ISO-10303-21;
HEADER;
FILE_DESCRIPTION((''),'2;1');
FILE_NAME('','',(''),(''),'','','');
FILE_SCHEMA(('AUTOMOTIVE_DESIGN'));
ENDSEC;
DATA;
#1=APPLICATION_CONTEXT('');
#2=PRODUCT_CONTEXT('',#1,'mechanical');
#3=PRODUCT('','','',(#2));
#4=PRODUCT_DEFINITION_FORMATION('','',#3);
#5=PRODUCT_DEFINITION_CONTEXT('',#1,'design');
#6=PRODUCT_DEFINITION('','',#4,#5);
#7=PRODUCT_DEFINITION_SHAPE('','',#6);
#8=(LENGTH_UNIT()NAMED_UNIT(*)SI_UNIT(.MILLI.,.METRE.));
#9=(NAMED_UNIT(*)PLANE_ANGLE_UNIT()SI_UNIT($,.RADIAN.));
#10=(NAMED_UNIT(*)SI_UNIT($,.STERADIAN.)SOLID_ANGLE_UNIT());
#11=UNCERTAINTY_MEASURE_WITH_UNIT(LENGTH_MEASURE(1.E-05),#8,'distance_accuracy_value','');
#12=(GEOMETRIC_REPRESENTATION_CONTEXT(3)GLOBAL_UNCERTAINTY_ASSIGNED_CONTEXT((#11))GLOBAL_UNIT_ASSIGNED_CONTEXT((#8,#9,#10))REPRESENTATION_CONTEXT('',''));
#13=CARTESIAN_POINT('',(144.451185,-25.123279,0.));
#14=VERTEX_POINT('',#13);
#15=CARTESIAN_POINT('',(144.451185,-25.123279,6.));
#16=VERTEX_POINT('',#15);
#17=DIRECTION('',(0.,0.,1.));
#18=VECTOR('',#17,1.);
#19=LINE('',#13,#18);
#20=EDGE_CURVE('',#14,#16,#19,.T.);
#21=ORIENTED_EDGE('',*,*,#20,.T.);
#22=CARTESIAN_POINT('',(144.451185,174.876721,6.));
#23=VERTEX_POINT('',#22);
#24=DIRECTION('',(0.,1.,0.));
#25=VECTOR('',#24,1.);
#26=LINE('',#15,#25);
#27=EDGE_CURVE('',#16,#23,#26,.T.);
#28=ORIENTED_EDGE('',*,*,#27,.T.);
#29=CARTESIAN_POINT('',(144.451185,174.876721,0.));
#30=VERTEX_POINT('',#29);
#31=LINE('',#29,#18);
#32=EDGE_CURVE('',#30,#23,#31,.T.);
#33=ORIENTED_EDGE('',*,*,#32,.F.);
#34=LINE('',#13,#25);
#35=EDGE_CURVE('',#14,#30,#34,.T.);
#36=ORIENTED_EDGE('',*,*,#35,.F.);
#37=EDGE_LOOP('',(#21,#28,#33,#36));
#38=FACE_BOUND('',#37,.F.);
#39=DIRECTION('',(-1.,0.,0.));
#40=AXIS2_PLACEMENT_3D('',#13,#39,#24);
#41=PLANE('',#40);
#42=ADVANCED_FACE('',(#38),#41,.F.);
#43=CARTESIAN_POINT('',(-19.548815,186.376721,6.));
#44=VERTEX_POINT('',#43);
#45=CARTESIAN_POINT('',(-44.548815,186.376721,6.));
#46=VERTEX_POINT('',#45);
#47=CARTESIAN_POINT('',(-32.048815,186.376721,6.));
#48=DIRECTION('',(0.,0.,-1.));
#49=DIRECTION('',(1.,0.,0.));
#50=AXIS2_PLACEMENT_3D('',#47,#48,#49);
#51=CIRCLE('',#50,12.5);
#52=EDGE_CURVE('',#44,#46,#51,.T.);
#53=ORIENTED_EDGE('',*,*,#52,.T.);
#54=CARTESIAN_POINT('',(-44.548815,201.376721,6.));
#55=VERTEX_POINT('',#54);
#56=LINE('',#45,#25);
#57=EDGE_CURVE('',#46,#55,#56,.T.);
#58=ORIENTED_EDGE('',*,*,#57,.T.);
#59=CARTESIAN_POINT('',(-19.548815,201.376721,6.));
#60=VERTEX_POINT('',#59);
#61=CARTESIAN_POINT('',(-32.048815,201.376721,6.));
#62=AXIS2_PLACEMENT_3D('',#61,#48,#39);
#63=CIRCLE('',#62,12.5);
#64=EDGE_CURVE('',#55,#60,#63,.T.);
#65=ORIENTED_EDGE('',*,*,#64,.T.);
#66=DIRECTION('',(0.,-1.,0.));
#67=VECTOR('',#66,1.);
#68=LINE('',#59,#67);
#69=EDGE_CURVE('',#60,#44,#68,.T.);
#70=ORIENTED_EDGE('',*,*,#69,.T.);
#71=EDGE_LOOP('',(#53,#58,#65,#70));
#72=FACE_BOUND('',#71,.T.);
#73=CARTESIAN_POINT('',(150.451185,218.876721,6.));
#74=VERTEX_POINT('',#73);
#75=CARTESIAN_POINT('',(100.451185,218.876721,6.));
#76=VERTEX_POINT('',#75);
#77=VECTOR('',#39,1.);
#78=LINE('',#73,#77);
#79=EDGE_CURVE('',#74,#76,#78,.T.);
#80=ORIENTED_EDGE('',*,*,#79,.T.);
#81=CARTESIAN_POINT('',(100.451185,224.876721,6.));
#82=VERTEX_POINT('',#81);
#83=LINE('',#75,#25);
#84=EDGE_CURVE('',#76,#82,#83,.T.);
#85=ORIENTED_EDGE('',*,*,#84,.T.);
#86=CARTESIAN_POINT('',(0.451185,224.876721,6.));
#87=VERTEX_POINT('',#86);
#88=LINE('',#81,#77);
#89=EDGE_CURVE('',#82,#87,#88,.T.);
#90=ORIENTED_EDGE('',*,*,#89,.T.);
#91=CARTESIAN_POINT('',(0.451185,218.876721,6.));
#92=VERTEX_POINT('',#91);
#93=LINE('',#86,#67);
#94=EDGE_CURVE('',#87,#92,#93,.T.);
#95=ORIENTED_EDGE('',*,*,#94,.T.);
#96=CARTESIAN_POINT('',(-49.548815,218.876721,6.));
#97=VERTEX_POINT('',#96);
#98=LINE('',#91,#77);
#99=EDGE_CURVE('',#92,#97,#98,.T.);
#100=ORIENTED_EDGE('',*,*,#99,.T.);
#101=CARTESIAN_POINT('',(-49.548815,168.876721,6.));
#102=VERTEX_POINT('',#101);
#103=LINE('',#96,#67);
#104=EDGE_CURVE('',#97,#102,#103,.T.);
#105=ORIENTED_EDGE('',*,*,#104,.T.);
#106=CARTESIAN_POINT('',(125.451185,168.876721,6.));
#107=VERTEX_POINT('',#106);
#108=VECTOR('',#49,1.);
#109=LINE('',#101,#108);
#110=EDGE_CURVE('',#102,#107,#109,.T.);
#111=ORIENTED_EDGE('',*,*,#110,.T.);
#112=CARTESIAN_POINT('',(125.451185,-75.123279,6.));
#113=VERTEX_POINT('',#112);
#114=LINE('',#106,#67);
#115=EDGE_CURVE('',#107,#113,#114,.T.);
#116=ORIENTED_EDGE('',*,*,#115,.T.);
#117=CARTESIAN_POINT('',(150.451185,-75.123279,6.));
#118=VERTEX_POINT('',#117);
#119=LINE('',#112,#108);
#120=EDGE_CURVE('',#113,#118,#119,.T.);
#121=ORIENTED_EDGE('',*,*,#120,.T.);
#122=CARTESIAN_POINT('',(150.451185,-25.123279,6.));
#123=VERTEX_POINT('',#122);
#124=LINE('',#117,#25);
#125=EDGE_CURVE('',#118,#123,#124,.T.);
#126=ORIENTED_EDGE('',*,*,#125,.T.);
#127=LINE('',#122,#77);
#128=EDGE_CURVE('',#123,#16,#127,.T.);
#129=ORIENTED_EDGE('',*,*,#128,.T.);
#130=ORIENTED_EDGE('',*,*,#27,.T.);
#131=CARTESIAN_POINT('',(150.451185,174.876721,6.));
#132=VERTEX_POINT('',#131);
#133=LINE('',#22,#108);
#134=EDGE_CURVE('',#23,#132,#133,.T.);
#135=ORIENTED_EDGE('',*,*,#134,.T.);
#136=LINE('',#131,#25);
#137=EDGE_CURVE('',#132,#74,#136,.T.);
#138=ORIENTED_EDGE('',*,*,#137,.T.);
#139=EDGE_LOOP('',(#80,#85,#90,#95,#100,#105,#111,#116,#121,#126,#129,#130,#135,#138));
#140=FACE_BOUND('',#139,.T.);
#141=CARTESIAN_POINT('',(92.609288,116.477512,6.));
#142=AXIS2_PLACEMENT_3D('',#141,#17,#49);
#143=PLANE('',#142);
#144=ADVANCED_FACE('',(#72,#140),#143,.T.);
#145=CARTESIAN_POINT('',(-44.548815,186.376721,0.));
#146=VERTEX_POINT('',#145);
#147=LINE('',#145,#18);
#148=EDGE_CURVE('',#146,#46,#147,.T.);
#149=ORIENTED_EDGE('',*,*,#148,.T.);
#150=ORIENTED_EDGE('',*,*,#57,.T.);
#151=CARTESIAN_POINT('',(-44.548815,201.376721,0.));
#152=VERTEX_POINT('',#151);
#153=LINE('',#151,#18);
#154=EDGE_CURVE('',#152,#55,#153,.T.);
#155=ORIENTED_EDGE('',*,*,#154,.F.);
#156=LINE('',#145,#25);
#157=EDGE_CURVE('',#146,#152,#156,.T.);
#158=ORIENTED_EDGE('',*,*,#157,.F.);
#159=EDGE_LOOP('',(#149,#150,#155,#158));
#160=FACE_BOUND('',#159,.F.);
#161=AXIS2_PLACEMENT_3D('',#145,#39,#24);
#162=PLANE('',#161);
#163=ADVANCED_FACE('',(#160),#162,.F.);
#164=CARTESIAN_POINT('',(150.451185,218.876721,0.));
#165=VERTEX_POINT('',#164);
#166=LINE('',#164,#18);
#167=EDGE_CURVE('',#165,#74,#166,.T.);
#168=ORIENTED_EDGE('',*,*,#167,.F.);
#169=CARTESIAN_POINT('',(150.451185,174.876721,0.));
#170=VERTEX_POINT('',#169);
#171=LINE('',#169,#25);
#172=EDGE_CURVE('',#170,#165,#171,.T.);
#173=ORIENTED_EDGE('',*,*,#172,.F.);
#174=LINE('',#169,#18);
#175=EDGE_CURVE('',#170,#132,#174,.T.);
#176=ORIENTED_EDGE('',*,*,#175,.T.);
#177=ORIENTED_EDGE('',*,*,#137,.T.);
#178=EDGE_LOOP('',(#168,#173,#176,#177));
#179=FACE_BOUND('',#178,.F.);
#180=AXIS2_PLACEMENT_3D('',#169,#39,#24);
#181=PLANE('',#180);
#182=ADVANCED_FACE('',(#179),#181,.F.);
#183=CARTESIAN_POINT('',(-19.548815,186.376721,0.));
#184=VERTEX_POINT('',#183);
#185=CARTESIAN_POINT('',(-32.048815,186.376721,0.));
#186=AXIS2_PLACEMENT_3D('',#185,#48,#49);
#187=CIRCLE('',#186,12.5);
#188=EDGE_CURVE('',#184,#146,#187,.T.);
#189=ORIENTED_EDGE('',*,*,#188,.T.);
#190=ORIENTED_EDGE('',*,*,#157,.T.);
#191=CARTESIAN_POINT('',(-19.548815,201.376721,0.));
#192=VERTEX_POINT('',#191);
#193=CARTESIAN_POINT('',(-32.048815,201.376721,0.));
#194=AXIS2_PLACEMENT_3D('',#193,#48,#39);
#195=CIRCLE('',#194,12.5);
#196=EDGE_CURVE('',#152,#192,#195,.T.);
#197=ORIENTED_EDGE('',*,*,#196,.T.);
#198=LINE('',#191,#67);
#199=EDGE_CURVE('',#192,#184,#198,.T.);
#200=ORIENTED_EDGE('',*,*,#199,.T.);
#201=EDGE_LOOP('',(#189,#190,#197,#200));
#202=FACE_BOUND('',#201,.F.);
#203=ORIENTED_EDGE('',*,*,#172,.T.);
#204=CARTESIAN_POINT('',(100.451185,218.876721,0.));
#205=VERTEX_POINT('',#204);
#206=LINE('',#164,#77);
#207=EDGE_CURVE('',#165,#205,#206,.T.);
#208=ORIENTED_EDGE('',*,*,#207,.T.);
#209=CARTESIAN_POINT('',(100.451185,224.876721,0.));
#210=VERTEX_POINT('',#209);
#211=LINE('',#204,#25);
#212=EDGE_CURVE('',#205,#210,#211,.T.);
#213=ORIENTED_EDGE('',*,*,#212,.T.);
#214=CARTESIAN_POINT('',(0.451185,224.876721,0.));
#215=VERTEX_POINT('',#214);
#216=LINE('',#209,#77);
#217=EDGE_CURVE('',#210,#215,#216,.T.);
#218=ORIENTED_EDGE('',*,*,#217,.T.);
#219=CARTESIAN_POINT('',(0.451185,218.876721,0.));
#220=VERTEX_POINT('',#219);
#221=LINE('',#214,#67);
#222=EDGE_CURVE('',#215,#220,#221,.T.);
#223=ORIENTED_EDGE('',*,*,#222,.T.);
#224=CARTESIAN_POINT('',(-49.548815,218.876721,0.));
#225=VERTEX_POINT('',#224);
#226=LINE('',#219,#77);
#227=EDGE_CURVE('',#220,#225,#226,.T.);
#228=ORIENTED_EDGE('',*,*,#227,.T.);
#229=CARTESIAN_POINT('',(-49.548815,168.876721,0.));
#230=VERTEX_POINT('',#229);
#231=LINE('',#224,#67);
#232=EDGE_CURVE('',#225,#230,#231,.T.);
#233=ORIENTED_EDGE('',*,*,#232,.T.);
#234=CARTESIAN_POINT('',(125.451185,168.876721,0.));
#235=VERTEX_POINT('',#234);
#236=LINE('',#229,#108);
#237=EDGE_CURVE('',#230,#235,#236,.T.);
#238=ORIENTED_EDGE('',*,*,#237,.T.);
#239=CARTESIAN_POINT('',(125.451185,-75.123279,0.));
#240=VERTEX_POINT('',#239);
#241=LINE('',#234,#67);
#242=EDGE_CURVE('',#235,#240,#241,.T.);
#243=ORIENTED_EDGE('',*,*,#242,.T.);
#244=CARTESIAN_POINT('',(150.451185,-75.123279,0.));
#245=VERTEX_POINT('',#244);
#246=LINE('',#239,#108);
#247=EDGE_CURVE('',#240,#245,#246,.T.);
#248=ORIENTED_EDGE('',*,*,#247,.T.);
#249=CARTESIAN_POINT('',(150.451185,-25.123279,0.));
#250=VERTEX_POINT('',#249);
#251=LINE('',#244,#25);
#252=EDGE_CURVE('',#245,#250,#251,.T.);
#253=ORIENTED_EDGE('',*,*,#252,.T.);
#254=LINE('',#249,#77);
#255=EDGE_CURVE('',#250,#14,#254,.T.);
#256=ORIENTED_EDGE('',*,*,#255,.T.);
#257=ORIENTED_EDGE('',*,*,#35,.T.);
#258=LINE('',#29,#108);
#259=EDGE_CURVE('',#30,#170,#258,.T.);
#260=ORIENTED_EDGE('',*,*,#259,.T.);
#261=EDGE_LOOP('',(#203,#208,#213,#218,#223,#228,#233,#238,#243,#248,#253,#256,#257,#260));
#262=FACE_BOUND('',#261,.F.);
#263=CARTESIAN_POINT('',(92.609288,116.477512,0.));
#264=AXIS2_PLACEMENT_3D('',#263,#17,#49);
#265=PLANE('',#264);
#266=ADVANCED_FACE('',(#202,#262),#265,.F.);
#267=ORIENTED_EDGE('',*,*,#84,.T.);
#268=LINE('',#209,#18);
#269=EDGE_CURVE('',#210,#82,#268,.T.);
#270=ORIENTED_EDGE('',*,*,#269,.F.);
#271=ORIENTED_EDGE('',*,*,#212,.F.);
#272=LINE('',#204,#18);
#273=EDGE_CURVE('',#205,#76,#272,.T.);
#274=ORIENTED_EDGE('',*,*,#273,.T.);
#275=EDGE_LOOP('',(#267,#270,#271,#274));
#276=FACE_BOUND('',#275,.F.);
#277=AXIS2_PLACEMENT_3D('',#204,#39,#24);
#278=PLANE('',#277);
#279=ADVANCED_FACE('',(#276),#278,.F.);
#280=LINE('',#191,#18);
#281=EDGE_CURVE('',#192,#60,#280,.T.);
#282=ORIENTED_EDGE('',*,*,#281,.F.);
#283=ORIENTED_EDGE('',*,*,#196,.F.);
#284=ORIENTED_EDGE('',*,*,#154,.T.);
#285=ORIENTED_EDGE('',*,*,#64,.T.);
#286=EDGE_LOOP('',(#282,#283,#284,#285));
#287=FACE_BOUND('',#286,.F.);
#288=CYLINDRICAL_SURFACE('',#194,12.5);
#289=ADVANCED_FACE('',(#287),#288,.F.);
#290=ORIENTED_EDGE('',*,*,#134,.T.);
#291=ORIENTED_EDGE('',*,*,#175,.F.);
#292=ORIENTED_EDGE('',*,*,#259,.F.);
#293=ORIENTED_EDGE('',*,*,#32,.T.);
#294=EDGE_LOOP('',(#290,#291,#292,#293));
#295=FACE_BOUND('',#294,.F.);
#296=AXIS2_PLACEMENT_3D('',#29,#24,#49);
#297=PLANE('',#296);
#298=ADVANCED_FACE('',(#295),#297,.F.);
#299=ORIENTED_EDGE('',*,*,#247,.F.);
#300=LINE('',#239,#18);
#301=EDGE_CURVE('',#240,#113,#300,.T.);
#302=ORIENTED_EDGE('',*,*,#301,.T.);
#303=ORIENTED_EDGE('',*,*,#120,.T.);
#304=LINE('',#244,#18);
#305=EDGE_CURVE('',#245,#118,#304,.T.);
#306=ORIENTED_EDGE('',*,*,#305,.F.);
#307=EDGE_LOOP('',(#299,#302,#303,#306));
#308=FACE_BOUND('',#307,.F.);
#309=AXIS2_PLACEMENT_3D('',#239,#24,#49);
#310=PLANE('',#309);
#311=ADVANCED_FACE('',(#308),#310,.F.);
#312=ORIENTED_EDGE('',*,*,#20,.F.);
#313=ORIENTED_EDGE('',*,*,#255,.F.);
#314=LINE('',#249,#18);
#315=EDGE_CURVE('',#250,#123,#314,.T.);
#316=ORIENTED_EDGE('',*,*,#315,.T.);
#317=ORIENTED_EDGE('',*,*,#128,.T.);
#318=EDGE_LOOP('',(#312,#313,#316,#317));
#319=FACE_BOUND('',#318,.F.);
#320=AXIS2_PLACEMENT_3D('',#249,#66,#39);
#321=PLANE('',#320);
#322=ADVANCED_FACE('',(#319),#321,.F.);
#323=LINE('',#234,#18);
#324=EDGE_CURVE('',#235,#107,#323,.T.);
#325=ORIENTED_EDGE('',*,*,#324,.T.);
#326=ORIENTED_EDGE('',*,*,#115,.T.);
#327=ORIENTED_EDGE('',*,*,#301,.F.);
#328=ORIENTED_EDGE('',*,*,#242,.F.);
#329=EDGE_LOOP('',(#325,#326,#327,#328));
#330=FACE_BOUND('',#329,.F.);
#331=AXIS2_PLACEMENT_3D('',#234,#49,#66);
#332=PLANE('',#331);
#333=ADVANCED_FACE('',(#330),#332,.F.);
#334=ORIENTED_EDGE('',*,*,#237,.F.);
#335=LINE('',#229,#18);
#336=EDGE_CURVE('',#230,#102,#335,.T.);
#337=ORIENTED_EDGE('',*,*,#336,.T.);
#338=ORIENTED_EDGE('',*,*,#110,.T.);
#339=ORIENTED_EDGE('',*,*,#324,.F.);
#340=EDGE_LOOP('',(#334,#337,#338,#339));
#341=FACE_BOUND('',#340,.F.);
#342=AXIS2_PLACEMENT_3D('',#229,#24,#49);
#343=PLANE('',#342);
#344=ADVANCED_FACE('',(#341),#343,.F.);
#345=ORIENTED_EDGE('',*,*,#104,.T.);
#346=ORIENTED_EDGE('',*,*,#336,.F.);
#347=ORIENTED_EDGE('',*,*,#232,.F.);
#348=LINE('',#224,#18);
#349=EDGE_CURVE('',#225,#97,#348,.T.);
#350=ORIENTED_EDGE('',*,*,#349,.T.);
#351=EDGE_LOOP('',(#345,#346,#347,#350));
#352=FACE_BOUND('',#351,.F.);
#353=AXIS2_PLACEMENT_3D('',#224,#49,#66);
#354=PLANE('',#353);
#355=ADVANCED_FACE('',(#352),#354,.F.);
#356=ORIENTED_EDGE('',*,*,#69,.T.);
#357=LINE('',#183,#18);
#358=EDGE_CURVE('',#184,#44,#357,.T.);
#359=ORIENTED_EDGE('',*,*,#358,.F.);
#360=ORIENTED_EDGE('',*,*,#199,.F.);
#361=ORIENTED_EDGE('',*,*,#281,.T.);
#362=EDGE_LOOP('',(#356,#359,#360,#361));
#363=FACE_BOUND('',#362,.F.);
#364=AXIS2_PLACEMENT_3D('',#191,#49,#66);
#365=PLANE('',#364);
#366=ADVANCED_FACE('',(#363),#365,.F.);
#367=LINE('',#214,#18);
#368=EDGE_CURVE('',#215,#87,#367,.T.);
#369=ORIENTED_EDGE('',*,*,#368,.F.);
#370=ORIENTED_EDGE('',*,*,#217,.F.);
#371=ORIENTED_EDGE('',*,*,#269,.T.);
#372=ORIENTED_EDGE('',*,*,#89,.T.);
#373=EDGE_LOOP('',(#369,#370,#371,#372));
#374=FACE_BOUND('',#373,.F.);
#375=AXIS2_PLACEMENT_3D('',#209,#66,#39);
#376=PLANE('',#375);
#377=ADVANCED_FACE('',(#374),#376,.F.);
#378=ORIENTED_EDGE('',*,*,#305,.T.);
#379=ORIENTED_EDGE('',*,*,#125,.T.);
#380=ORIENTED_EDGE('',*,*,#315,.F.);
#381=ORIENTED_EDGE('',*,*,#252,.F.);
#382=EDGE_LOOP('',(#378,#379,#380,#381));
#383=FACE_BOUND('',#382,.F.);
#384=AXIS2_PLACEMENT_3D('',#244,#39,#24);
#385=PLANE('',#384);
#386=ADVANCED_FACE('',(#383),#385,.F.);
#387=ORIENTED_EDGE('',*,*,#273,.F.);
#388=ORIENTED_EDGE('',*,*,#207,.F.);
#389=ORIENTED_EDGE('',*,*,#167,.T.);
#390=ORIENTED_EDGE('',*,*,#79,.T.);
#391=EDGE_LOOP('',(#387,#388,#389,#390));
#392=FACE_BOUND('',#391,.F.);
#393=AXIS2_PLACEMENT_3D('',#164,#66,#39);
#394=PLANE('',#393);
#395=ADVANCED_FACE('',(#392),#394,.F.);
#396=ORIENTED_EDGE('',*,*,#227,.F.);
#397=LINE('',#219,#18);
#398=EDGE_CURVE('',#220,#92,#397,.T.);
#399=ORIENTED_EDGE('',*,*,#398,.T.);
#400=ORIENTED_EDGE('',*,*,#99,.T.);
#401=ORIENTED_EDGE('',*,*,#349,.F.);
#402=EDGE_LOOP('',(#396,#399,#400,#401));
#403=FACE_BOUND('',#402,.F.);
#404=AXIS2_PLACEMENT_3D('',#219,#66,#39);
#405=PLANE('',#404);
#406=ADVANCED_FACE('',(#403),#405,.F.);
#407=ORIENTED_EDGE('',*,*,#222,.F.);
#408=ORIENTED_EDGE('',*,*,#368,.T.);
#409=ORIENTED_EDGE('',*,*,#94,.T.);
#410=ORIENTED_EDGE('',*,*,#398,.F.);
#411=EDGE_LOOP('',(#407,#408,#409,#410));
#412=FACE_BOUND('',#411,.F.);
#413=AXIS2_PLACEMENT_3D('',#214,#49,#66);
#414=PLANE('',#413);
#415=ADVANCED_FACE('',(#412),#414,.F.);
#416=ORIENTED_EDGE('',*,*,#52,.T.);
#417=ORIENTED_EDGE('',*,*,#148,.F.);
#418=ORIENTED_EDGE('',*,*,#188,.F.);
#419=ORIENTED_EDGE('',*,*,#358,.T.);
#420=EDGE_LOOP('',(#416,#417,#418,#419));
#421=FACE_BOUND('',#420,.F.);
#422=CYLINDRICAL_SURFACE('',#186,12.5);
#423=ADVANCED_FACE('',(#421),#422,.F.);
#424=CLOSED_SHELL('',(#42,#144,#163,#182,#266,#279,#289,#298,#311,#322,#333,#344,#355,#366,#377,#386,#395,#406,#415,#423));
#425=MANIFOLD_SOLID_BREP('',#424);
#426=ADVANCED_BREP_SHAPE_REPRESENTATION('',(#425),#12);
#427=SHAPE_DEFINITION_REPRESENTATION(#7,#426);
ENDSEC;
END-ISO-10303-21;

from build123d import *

# Parameters (mm, degrees)
F1_DEPTH = 6


with BuildPart() as f1:
    # F0 (on Top) → F1 (new body)
    with BuildSketch(Plane.XY):
        Polygon((0.451185, 218.876721), (-49.548815, 218.876721), (-49.548815, 168.876721), (125.451185, 168.876721), (125.451185, -75.123279), (150.451185, -75.123279), (150.451185, -25.123279), (144.451185, -25.123279), (144.451185, 174.876721), (150.451185, 174.876721), (150.451185, 218.876721), (100.451185, 218.876721), (100.451185, 224.876721), (0.451185, 224.876721), align=None)
        with BuildLine():
            Line((-44.548815, 186.376721), (-44.548815, 201.376721))
            ThreePointArc((-44.548815, 201.376721), (-32.048815, 213.876721), (-19.548815, 201.376721))
            Line((-19.548815, 201.376721), (-19.548815, 186.376721))
            ThreePointArc((-19.548815, 186.376721), (-32.048815, 173.876721), (-44.548815, 186.376721))
        make_face(mode=Mode.SUBTRACT)
    extrude(amount=F1_DEPTH)


solid = f1.part
